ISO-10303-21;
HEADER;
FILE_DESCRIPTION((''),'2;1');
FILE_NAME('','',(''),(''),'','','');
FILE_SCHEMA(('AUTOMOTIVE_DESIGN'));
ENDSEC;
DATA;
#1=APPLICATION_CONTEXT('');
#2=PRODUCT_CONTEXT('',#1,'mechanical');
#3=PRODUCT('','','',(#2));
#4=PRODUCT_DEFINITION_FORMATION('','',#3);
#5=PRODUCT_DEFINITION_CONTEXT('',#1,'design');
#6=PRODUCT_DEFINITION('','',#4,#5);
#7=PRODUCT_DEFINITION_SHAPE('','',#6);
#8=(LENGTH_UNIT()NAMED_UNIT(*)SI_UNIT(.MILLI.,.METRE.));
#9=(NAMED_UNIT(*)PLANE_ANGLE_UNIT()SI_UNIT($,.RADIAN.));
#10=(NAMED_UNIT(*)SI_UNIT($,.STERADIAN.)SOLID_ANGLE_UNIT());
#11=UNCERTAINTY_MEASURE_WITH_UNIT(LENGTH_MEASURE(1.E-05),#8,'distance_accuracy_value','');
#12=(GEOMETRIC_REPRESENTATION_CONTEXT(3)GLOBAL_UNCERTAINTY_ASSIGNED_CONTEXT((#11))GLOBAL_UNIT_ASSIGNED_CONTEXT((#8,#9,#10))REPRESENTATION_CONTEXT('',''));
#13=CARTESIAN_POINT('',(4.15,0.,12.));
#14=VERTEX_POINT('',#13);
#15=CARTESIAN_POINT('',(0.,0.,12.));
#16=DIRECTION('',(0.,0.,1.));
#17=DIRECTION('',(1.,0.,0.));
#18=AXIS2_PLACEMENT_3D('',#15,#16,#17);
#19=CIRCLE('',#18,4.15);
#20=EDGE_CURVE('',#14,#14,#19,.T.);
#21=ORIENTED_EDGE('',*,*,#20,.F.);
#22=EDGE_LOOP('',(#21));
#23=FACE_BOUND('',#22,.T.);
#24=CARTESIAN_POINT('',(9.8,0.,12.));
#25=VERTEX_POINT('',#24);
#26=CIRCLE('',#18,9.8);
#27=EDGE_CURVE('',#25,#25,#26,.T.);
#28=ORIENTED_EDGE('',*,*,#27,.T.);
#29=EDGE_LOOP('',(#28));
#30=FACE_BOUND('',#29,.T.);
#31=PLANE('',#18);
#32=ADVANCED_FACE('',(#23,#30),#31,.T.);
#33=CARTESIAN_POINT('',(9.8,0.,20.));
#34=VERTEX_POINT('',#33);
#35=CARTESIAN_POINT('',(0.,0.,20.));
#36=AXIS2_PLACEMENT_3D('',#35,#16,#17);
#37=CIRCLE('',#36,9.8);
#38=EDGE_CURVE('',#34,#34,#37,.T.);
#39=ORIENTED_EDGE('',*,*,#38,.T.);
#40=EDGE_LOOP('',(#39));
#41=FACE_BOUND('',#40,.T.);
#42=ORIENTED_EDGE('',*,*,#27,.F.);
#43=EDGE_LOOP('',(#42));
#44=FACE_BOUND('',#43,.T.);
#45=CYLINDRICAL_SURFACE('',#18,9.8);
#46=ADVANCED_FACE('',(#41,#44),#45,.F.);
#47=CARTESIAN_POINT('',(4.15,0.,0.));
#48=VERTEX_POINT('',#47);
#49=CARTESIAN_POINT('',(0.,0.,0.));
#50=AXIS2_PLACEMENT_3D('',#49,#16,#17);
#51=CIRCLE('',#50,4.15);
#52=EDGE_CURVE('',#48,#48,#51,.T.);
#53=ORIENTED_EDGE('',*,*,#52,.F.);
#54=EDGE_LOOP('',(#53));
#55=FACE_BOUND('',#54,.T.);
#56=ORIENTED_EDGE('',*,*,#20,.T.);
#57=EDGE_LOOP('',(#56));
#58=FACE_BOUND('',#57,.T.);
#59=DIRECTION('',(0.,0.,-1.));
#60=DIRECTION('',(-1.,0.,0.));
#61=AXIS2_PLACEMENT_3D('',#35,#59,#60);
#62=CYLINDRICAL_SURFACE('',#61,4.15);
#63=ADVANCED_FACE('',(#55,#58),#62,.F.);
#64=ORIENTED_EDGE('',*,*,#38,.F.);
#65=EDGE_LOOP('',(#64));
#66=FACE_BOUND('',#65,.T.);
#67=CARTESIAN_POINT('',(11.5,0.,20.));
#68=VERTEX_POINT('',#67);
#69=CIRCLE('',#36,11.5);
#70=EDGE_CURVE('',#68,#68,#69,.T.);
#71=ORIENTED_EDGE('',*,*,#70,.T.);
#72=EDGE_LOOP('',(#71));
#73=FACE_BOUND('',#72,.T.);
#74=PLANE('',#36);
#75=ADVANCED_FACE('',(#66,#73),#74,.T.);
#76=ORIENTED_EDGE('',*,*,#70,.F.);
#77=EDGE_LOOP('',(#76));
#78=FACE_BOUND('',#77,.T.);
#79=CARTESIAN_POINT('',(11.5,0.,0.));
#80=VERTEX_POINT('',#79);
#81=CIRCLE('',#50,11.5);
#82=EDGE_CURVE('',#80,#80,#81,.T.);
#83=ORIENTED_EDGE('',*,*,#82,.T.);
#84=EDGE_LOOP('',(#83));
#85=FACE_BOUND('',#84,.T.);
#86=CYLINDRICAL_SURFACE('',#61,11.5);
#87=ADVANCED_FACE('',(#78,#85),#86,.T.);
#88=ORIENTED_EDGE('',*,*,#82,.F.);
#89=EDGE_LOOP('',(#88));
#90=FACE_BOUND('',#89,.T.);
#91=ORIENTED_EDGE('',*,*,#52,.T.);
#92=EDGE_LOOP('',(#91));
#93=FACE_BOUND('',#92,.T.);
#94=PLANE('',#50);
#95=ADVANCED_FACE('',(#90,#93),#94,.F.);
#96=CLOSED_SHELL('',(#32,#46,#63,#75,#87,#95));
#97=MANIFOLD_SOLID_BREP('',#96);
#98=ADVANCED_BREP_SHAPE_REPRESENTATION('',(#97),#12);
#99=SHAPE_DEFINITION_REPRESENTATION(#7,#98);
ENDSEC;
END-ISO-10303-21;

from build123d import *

# Parameters (mm, degrees)
SKETCH1_R           = 11.5
SKETCH1_R_2         = 4.15
BOSS_EXTRUDE1_DEPTH = 20
SKETCH2_R           = 9.8
CUT_EXTRUDE1_DEPTH  = 8


with BuildPart() as part:
    # Sketch1 → Boss-Extrude1 (new body)
    with BuildSketch(Plane.XY):
        Circle(SKETCH1_R)
        Circle(SKETCH1_R_2, mode=Mode.SUBTRACT)
    extrude(amount=BOSS_EXTRUDE1_DEPTH)

    # Sketch2 → Cut-Extrude1 (cut)
    with BuildSketch(Plane.XY.offset(20)):
        Circle(SKETCH2_R)
    extrude(amount=-CUT_EXTRUDE1_DEPTH, mode=Mode.SUBTRACT)


solid = part.part
